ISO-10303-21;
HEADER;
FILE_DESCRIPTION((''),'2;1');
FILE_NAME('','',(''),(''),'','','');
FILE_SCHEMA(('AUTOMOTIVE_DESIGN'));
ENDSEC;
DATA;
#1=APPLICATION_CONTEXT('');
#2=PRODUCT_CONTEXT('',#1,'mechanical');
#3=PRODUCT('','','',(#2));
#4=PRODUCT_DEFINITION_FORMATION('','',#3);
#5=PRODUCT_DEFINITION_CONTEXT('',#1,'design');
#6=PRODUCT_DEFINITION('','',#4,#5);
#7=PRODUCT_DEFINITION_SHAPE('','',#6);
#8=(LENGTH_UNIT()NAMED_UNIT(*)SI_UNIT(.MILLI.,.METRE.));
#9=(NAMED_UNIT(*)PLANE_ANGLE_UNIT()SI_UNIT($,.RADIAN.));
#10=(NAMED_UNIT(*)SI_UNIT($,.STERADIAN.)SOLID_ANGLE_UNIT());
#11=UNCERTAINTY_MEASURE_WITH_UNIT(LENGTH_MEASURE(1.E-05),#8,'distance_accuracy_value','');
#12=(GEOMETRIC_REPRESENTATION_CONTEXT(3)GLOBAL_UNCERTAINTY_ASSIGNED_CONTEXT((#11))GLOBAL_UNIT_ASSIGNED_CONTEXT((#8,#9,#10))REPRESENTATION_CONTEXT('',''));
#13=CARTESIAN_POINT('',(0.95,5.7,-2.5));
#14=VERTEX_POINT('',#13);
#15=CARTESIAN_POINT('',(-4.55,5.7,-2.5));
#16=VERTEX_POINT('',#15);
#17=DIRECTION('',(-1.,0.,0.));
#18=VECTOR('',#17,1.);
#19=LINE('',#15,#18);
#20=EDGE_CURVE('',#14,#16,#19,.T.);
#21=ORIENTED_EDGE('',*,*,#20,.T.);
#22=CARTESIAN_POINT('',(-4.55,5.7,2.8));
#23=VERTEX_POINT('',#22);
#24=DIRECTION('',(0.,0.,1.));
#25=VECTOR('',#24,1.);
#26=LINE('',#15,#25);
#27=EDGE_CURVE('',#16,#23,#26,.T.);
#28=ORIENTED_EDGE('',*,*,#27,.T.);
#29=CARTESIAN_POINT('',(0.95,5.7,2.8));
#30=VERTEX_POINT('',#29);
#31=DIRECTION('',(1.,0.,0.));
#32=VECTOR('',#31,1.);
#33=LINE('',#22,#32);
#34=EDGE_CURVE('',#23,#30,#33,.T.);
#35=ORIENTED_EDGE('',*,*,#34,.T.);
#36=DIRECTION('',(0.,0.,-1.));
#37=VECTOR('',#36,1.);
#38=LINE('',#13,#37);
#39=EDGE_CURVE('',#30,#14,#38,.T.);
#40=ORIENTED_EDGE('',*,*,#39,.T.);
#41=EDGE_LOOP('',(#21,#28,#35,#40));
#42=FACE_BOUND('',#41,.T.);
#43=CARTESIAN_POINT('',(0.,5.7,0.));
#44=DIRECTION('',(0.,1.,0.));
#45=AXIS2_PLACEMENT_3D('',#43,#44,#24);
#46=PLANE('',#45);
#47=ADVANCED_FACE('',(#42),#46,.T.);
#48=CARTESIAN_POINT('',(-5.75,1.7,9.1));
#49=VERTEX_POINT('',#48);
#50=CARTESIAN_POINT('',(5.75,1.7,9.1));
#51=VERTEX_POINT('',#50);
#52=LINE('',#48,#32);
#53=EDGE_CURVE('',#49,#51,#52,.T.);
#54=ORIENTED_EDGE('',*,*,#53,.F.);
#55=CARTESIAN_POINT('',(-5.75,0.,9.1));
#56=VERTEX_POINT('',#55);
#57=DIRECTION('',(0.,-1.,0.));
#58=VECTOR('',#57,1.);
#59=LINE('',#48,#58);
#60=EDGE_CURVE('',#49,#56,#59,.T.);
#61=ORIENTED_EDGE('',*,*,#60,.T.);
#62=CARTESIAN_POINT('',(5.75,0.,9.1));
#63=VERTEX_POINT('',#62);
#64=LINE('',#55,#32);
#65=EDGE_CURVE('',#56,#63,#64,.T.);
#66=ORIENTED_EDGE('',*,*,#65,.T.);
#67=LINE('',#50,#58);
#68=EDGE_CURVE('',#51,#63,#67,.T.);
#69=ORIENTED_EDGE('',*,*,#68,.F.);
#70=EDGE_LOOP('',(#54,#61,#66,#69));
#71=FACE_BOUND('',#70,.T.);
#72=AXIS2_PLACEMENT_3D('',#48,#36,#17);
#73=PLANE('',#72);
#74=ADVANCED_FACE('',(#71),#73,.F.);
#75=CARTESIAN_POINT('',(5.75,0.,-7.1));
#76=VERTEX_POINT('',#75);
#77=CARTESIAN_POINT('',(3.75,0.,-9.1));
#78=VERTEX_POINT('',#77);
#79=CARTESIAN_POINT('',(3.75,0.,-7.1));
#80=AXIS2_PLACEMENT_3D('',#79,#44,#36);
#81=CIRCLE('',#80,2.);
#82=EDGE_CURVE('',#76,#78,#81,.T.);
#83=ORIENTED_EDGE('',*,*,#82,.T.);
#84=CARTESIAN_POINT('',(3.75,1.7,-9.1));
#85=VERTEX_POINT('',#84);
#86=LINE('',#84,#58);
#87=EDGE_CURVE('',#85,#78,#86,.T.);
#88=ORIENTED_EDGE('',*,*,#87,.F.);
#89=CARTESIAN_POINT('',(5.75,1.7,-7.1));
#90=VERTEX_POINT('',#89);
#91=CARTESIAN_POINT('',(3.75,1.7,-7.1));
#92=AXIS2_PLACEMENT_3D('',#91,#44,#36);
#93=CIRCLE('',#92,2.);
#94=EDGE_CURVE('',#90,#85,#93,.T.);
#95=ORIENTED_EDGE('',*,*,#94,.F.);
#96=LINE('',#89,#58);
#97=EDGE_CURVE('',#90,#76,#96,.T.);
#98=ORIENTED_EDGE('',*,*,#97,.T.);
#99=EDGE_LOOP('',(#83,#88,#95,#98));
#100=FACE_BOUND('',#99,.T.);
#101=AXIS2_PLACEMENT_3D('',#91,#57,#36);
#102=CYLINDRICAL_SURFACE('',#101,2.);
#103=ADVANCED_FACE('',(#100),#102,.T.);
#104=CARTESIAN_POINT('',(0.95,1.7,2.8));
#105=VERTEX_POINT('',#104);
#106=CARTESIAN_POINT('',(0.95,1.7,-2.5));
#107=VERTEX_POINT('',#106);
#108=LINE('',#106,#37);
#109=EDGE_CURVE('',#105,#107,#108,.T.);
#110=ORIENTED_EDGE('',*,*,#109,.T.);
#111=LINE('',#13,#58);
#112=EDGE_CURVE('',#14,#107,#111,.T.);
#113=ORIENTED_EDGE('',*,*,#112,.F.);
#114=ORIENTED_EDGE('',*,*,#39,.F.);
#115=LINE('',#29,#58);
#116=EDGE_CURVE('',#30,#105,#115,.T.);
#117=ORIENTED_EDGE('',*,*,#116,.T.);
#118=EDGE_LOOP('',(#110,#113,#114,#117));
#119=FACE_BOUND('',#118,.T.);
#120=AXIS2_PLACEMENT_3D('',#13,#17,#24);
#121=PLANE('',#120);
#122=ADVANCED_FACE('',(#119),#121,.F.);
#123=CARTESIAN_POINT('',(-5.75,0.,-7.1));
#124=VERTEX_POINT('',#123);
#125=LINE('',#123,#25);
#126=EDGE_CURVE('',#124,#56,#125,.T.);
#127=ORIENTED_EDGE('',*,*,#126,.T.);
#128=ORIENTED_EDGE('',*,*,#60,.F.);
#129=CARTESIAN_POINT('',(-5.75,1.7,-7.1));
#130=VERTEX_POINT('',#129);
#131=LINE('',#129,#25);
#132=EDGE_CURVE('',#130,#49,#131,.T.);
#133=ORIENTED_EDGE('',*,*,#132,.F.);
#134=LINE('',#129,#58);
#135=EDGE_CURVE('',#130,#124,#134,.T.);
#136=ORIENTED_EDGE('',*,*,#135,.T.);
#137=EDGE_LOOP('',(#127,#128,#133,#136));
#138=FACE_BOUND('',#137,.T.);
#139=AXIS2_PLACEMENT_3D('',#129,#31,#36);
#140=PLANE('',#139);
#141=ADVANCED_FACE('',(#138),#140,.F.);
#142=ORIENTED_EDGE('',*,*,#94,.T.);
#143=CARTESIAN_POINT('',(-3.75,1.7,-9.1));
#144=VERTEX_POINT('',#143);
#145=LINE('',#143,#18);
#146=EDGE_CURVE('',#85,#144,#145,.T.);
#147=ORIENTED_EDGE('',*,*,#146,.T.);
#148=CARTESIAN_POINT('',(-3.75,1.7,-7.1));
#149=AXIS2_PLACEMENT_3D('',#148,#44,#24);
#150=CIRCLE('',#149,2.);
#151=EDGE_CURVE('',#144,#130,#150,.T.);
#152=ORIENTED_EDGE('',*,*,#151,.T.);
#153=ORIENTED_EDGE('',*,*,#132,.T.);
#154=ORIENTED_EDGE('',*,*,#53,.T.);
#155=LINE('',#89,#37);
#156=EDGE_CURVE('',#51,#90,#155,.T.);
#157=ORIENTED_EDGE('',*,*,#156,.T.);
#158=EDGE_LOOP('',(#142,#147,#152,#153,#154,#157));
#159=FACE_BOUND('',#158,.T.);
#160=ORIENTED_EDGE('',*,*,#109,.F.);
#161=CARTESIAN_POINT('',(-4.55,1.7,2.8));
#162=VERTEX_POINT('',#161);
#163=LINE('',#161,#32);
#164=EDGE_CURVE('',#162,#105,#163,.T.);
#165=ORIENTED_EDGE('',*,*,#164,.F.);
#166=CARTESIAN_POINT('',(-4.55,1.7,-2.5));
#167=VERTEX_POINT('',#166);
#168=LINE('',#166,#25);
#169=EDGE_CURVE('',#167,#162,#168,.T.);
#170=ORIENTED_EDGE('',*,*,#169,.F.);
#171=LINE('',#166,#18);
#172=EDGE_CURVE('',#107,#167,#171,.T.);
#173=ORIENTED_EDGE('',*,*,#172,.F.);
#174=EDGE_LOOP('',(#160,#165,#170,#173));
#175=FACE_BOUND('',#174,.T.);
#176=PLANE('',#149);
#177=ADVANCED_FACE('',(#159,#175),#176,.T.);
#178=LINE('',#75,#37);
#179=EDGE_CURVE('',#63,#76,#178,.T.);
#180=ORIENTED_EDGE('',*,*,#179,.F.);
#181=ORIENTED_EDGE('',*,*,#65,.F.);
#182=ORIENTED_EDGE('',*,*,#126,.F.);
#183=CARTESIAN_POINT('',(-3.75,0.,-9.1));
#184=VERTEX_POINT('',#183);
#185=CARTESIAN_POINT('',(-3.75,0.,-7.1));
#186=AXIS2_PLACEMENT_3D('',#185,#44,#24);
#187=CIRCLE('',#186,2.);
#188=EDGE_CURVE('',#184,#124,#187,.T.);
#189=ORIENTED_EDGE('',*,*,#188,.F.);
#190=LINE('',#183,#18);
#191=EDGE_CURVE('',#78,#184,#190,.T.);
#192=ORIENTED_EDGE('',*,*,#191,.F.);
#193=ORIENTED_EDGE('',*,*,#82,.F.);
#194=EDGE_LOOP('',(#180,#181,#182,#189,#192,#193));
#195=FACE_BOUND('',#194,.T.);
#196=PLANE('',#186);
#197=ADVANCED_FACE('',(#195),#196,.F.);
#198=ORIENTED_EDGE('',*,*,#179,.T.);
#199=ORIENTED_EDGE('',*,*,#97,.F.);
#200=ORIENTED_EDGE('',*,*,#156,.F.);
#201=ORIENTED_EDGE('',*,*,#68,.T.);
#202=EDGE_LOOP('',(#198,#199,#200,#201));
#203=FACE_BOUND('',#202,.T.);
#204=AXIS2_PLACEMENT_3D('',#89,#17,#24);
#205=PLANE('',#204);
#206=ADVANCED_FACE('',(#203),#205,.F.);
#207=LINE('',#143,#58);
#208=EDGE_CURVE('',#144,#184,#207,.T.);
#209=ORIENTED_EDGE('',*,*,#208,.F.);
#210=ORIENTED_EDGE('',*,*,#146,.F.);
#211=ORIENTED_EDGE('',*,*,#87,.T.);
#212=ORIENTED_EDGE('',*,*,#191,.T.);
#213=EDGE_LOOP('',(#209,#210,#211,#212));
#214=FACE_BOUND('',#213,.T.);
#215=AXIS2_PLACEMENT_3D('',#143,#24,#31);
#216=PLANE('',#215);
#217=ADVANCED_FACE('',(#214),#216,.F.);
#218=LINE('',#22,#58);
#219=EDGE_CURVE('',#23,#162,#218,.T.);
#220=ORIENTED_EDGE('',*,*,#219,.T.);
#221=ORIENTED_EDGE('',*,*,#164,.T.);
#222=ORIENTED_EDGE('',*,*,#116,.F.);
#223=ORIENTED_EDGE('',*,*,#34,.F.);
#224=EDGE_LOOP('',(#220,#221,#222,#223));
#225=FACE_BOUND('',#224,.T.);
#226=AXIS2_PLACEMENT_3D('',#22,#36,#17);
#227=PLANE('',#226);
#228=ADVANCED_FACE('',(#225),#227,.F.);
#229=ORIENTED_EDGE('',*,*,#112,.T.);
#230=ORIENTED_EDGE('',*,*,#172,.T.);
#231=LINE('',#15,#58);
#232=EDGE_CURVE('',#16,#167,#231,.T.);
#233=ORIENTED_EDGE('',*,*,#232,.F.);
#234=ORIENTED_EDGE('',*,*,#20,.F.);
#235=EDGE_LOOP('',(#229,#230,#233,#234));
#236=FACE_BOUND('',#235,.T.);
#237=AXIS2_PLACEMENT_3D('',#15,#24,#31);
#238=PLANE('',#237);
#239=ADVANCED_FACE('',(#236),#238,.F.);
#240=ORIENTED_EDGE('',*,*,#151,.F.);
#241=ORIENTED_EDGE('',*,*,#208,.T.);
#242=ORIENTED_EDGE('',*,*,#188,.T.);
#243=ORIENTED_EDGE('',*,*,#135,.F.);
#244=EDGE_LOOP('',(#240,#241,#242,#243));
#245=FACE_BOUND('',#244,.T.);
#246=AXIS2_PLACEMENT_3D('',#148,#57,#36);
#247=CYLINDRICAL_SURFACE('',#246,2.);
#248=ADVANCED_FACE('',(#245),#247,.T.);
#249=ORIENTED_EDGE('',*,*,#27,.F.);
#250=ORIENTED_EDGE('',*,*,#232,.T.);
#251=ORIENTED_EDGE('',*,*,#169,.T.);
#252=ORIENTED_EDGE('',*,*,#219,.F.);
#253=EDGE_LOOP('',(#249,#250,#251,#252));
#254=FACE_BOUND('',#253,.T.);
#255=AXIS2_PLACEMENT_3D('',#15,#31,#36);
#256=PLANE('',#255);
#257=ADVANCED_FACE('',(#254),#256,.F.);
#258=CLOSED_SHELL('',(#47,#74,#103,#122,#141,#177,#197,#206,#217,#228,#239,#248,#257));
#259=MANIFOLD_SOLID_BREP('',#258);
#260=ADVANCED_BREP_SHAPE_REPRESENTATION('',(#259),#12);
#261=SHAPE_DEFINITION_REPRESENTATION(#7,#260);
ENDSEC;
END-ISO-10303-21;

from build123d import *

# Parameters (mm, degrees)
BOSS_EXTRUDE1_DEPTH = 1.7
SKETCH2_W           = 5.5
SKETCH2_H           = 5.3
BOSS_EXTRUDE2_DEPTH = 4


with BuildPart() as part:
    # Sketch1 → Boss-Extrude1 (new body)
    with BuildSketch(Plane(origin=(0, 0, 0), x_dir=(1, 0, 0), z_dir=(0, 1, 0))):
        with BuildLine():
            Line((-3.75, 9.1), (3.75, 9.1))
            ThreePointArc((3.75, 9.1), (5.164213562, 8.514213562), (5.75, 7.1))
            Line((5.75, 7.1), (5.75, -9.1))
            Line((5.75, -9.1), (-5.75, -9.1))
            Line((-5.75, -9.1), (-5.75, 7.1))
            ThreePointArc((-5.75, 7.1), (-5.164213562, 8.514213562), (-3.75, 9.1))
        make_face()
    extrude(amount=BOSS_EXTRUDE1_DEPTH)

    # Sketch2 → Boss-Extrude2 (add)
    with BuildSketch(Plane(origin=(0, 1.7, 0), x_dir=(1, 0, 0), z_dir=(0, 1, 0))):
        with Locations((-1.8, -0.15)):
            Rectangle(SKETCH2_W, SKETCH2_H)
    extrude(amount=BOSS_EXTRUDE2_DEPTH)


solid = part.part
